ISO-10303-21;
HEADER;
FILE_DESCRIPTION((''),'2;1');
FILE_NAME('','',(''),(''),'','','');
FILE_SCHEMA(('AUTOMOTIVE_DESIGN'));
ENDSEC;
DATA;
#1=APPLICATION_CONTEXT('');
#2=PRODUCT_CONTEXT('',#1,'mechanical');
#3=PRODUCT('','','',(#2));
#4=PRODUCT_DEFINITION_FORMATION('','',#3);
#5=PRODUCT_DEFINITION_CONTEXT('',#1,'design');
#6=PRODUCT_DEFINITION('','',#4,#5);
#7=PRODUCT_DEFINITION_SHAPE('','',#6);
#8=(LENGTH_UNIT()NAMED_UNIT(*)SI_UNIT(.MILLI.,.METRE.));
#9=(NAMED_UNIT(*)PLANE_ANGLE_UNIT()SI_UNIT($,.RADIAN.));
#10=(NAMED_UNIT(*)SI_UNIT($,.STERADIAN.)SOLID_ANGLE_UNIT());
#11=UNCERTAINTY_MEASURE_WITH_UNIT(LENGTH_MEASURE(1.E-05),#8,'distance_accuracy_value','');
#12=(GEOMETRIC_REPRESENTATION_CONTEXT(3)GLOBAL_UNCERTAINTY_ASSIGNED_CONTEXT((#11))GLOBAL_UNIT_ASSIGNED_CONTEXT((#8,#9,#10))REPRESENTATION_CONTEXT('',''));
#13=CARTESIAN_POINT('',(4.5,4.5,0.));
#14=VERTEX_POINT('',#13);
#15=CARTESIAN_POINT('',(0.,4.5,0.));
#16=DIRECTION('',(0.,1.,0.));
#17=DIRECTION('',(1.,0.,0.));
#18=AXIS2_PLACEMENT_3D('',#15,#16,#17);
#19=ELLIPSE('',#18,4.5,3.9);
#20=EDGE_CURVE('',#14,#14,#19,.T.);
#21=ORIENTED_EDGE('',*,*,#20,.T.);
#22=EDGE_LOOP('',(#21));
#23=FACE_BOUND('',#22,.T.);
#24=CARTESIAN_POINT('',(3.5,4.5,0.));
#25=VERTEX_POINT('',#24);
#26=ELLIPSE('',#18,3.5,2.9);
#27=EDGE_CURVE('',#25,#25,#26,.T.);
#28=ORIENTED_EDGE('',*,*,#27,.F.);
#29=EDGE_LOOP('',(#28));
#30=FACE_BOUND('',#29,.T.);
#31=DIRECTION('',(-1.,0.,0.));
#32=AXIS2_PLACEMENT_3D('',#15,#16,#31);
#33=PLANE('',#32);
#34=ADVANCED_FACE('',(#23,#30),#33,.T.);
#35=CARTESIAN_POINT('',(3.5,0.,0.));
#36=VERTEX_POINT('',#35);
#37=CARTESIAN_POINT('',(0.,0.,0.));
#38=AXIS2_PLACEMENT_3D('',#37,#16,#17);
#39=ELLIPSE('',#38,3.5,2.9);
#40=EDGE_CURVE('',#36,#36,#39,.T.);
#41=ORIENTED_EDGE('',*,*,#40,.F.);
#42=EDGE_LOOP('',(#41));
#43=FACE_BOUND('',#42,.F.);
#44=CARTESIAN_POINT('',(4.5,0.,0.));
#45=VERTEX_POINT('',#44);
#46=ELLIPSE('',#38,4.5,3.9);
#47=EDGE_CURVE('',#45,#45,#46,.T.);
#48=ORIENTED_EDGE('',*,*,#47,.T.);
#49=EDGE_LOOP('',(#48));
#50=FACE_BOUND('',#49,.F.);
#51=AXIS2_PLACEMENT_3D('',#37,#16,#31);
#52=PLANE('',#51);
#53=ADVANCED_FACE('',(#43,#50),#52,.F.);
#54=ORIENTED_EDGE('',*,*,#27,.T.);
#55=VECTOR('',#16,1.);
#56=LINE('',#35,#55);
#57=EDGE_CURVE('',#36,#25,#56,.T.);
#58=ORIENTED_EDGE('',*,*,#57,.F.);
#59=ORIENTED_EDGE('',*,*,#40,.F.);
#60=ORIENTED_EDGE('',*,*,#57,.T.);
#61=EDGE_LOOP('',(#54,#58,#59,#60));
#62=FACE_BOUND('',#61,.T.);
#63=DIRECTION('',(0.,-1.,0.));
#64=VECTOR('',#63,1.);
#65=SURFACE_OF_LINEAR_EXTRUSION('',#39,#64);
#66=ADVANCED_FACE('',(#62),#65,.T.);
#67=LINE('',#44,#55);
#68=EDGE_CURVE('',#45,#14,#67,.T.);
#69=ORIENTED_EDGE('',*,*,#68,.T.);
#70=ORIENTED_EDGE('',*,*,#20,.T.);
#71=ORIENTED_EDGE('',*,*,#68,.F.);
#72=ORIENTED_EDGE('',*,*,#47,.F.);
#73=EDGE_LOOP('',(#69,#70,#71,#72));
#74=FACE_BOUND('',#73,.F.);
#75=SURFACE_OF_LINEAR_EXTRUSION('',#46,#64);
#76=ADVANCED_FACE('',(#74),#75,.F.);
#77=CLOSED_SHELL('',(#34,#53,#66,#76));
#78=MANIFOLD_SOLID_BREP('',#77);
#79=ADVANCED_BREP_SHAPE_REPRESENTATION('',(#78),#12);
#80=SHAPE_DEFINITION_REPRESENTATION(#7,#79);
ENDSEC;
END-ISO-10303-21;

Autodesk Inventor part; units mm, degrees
ref_plane "YZ Plane" through (0, 0, 0) normal (1, 0, 0) x (0, 1, 0)
ref_plane "XZ Plane" through (0, 0, 0) normal (0, 1, 0) x (-1, 0, 0)
ref_plane "XY Plane" through (0, 0, 0) normal (0, 0, 1) x (1, 0, 0)
sketch "Sketch1" plane through (0, 0, 0) normal (0, 1, 0) x (-1, 0, 0)
  ellipse E0 centre (0, 0) end of major axis (0, 3.9) minor radius 4.5
  ellipse E1 centre (0, 0) end of major axis (0, 2.9) minor radius 3.5
  dimension "d4" = 3.9
  dimension "d5" = 4.5
extrude "Extrusion1" add sketch "Sketch1" along normal blind 4.5
properties part number "RING"
